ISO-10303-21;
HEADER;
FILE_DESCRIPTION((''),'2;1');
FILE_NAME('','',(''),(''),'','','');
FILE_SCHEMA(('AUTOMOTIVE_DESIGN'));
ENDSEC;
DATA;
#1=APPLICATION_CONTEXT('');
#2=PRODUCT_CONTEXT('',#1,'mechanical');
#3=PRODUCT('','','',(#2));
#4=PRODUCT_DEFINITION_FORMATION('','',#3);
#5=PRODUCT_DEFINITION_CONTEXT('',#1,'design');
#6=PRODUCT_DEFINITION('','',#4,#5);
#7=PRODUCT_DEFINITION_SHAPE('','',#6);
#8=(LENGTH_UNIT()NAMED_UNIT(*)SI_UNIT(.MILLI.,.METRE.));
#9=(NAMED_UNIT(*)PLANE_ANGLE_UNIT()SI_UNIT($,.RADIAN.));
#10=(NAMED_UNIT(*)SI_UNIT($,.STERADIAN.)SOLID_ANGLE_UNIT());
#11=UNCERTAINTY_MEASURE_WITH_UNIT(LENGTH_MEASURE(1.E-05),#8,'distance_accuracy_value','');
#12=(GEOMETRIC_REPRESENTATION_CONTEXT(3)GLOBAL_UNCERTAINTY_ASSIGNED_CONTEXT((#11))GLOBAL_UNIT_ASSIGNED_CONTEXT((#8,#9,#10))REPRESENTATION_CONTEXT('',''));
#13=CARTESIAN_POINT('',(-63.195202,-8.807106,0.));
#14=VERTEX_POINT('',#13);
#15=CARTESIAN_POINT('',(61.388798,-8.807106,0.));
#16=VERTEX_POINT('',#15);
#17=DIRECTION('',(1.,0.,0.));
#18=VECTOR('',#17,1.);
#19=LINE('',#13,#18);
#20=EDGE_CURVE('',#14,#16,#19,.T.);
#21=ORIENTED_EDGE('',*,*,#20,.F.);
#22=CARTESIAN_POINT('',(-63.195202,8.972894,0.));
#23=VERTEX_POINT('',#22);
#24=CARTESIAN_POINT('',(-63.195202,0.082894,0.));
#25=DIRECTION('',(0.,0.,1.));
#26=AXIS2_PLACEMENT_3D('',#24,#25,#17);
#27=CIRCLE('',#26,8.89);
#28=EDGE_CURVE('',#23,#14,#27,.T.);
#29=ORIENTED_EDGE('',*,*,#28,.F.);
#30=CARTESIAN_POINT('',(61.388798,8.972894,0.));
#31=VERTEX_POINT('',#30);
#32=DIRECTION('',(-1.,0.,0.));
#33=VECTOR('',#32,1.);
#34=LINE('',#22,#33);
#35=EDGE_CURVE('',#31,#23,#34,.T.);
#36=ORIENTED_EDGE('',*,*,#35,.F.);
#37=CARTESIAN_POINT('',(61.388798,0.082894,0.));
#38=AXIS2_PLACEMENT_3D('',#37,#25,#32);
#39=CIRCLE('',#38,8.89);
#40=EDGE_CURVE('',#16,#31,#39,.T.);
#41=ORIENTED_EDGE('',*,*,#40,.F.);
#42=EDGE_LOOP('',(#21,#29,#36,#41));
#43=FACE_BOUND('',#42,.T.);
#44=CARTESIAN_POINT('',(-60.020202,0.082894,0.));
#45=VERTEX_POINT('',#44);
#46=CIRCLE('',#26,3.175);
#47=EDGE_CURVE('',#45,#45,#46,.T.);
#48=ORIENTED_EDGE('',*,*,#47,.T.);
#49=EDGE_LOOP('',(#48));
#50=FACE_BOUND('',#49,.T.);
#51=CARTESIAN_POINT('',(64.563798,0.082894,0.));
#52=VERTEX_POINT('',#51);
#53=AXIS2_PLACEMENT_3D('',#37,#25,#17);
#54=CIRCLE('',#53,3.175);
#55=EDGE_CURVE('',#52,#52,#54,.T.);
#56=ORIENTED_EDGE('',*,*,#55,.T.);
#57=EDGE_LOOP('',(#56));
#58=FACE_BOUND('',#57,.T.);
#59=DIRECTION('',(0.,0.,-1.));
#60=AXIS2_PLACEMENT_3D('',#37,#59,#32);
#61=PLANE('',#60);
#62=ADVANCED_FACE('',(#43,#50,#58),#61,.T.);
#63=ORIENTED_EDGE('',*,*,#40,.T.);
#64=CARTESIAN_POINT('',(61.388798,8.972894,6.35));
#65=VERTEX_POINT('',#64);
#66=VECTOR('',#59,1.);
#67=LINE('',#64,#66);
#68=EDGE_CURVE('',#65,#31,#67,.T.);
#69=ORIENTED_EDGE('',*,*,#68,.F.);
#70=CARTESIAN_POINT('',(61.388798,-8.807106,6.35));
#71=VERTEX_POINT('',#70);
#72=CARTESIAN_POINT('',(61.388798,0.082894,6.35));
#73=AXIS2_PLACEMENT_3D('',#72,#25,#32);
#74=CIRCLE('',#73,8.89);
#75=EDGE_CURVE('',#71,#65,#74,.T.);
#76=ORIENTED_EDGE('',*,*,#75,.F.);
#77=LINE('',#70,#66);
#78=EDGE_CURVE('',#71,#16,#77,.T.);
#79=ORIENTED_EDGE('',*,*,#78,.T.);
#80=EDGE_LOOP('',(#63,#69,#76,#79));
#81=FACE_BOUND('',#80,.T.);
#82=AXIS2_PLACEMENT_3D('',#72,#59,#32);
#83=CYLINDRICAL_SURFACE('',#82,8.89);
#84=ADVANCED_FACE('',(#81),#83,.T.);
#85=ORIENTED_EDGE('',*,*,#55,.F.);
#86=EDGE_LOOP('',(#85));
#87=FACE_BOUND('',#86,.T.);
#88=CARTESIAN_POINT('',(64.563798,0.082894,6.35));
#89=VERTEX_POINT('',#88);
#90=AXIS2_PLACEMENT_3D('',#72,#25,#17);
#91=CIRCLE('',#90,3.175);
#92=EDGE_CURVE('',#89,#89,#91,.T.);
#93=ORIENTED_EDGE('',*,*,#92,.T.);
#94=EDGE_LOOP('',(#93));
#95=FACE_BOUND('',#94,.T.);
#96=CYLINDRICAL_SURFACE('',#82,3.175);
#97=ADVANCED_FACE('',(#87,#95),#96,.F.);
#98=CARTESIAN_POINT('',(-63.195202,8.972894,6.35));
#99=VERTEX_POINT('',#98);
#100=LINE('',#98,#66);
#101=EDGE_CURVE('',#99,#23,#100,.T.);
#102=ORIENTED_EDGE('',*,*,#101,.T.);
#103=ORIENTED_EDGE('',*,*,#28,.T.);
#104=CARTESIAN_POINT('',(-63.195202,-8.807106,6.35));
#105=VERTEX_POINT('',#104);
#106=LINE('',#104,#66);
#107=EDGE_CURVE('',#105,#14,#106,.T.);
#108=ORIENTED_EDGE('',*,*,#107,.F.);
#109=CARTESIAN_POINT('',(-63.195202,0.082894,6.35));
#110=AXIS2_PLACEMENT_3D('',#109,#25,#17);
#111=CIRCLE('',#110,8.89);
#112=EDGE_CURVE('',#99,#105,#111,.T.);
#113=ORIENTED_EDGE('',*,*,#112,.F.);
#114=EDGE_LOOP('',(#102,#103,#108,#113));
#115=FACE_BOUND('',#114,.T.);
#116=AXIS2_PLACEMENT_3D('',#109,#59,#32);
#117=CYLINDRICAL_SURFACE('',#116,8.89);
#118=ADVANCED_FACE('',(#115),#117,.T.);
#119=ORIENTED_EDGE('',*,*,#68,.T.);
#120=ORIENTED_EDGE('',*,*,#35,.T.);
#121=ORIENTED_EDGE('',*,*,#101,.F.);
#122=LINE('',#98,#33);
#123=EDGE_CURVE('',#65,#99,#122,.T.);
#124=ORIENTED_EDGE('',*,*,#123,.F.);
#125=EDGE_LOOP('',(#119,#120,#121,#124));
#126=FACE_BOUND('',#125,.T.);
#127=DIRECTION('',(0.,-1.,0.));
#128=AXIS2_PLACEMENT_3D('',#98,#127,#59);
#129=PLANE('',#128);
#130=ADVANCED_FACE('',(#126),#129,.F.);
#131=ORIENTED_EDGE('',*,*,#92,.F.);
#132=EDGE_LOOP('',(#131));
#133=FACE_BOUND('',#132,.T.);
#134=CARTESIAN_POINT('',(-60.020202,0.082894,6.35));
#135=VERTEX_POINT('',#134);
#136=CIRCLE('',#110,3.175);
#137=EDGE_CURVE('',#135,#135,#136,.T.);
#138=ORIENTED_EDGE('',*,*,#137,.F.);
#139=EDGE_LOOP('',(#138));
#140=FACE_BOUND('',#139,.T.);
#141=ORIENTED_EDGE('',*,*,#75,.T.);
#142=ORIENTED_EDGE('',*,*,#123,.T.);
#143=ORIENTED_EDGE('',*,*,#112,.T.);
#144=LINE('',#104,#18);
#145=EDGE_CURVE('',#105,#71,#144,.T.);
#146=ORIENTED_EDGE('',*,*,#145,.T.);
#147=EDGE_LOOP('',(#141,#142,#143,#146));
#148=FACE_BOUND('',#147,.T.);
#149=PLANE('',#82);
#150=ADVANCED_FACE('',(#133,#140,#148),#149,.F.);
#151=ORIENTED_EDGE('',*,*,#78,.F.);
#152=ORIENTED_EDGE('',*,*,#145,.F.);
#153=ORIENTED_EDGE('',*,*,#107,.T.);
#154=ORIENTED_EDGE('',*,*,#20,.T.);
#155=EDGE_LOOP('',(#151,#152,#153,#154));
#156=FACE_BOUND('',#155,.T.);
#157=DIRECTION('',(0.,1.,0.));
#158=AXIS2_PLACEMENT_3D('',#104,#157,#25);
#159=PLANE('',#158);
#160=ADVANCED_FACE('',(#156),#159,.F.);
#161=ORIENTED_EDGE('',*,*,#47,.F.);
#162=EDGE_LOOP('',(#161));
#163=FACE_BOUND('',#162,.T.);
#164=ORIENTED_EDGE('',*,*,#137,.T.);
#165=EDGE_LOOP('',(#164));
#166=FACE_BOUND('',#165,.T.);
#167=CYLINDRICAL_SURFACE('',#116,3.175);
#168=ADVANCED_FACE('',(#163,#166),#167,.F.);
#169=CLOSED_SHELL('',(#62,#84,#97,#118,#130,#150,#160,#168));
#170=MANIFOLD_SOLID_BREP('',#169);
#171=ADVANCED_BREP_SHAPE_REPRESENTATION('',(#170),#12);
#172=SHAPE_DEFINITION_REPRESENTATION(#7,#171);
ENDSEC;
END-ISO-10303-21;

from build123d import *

# Parameters (mm, degrees)
SKETCH2_R           = 3.175
BOSS_EXTRUDE2_DEPTH = 6.35


with BuildPart() as part:
    # Sketch2 → Boss-Extrude2 (new body)
    with BuildSketch(Plane.XY):
        with BuildLine():
            Line((-63.195201668, -8.807106444), (61.388798332, -8.807106444))
            ThreePointArc((61.388798332, -8.807106444), (70.278798332, 0.082893556), (61.388798332, 8.972893556))
            Line((61.388798332, 8.972893556), (-63.195201668, 8.972893556))
            ThreePointArc((-63.195201668, 8.972893556), (-72.085201668, 0.082893556), (-63.195201668, -8.807106444))
        make_face()
        with Locations((-63.195201668, 0.082893556)):
            Circle(SKETCH2_R, mode=Mode.SUBTRACT)
        with Locations((61.388798332, 0.082893556)):
            Circle(SKETCH2_R, mode=Mode.SUBTRACT)
    extrude(amount=BOSS_EXTRUDE2_DEPTH)


solid = part.part
